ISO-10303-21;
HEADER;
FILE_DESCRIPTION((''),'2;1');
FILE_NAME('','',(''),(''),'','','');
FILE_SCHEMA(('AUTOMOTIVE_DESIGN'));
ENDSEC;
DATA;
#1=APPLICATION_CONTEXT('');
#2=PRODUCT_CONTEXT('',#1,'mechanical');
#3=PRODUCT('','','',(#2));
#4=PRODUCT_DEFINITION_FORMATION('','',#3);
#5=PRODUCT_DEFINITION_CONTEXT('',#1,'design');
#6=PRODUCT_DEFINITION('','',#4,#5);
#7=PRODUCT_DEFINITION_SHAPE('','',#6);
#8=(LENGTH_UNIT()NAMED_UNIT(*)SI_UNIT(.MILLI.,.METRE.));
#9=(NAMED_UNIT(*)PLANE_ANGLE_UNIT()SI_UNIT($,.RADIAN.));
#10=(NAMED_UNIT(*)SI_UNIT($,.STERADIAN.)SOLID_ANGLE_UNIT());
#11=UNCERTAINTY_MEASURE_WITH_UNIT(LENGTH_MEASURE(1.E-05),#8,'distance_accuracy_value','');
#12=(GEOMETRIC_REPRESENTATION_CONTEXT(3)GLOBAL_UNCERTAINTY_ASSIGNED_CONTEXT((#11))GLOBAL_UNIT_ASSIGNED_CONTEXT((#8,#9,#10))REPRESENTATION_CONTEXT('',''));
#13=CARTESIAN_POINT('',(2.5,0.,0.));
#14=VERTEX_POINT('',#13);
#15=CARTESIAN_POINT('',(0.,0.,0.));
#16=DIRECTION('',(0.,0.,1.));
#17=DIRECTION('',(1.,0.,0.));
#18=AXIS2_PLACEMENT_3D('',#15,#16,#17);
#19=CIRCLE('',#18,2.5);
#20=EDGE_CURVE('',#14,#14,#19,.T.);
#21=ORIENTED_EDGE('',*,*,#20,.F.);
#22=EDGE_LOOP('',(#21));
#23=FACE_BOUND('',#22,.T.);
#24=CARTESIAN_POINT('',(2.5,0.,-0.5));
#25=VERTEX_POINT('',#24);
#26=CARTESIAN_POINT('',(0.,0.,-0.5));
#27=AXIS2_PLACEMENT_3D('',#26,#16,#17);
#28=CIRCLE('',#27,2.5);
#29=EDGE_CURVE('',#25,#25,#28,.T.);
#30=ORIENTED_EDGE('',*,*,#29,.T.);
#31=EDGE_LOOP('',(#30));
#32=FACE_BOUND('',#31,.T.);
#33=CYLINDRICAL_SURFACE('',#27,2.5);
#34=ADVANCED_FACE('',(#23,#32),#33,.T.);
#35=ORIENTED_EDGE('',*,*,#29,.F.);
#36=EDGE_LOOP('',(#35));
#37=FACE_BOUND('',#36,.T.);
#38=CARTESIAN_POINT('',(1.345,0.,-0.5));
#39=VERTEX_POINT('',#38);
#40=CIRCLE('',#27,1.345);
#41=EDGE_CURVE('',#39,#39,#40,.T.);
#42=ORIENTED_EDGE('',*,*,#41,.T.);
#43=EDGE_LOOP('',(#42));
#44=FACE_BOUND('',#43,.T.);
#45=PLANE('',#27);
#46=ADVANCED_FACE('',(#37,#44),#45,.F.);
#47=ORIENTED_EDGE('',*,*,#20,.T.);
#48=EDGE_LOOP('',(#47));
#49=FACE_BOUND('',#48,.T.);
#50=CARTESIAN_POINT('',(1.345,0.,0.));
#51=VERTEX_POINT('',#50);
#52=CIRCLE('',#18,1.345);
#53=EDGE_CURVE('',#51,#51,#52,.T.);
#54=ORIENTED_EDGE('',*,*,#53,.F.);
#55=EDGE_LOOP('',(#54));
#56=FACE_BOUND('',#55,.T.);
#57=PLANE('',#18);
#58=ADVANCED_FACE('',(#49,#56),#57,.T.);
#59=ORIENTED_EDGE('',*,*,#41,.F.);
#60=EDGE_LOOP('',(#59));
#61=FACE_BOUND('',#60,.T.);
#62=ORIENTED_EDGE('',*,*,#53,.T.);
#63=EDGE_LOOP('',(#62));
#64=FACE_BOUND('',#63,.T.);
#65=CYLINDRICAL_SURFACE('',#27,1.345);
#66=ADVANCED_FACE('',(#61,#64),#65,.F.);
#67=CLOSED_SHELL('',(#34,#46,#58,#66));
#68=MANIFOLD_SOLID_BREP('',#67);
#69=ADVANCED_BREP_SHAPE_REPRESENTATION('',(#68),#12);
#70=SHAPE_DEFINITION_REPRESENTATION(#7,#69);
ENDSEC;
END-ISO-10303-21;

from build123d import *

# Parameters (mm, degrees)
SKETCH_1_R      = 2.5
SKETCH_1_R_2    = 1.345
EXTRUDE_1_DEPTH = 0.5


with BuildPart() as part:
    # Эскиз1 → Бобышка-Вытянуть1 (new body)
    with BuildSketch(Plane.XY):
        Circle(SKETCH_1_R)
        Circle(SKETCH_1_R_2, mode=Mode.SUBTRACT)
    extrude(amount=-EXTRUDE_1_DEPTH)


solid = part.part
